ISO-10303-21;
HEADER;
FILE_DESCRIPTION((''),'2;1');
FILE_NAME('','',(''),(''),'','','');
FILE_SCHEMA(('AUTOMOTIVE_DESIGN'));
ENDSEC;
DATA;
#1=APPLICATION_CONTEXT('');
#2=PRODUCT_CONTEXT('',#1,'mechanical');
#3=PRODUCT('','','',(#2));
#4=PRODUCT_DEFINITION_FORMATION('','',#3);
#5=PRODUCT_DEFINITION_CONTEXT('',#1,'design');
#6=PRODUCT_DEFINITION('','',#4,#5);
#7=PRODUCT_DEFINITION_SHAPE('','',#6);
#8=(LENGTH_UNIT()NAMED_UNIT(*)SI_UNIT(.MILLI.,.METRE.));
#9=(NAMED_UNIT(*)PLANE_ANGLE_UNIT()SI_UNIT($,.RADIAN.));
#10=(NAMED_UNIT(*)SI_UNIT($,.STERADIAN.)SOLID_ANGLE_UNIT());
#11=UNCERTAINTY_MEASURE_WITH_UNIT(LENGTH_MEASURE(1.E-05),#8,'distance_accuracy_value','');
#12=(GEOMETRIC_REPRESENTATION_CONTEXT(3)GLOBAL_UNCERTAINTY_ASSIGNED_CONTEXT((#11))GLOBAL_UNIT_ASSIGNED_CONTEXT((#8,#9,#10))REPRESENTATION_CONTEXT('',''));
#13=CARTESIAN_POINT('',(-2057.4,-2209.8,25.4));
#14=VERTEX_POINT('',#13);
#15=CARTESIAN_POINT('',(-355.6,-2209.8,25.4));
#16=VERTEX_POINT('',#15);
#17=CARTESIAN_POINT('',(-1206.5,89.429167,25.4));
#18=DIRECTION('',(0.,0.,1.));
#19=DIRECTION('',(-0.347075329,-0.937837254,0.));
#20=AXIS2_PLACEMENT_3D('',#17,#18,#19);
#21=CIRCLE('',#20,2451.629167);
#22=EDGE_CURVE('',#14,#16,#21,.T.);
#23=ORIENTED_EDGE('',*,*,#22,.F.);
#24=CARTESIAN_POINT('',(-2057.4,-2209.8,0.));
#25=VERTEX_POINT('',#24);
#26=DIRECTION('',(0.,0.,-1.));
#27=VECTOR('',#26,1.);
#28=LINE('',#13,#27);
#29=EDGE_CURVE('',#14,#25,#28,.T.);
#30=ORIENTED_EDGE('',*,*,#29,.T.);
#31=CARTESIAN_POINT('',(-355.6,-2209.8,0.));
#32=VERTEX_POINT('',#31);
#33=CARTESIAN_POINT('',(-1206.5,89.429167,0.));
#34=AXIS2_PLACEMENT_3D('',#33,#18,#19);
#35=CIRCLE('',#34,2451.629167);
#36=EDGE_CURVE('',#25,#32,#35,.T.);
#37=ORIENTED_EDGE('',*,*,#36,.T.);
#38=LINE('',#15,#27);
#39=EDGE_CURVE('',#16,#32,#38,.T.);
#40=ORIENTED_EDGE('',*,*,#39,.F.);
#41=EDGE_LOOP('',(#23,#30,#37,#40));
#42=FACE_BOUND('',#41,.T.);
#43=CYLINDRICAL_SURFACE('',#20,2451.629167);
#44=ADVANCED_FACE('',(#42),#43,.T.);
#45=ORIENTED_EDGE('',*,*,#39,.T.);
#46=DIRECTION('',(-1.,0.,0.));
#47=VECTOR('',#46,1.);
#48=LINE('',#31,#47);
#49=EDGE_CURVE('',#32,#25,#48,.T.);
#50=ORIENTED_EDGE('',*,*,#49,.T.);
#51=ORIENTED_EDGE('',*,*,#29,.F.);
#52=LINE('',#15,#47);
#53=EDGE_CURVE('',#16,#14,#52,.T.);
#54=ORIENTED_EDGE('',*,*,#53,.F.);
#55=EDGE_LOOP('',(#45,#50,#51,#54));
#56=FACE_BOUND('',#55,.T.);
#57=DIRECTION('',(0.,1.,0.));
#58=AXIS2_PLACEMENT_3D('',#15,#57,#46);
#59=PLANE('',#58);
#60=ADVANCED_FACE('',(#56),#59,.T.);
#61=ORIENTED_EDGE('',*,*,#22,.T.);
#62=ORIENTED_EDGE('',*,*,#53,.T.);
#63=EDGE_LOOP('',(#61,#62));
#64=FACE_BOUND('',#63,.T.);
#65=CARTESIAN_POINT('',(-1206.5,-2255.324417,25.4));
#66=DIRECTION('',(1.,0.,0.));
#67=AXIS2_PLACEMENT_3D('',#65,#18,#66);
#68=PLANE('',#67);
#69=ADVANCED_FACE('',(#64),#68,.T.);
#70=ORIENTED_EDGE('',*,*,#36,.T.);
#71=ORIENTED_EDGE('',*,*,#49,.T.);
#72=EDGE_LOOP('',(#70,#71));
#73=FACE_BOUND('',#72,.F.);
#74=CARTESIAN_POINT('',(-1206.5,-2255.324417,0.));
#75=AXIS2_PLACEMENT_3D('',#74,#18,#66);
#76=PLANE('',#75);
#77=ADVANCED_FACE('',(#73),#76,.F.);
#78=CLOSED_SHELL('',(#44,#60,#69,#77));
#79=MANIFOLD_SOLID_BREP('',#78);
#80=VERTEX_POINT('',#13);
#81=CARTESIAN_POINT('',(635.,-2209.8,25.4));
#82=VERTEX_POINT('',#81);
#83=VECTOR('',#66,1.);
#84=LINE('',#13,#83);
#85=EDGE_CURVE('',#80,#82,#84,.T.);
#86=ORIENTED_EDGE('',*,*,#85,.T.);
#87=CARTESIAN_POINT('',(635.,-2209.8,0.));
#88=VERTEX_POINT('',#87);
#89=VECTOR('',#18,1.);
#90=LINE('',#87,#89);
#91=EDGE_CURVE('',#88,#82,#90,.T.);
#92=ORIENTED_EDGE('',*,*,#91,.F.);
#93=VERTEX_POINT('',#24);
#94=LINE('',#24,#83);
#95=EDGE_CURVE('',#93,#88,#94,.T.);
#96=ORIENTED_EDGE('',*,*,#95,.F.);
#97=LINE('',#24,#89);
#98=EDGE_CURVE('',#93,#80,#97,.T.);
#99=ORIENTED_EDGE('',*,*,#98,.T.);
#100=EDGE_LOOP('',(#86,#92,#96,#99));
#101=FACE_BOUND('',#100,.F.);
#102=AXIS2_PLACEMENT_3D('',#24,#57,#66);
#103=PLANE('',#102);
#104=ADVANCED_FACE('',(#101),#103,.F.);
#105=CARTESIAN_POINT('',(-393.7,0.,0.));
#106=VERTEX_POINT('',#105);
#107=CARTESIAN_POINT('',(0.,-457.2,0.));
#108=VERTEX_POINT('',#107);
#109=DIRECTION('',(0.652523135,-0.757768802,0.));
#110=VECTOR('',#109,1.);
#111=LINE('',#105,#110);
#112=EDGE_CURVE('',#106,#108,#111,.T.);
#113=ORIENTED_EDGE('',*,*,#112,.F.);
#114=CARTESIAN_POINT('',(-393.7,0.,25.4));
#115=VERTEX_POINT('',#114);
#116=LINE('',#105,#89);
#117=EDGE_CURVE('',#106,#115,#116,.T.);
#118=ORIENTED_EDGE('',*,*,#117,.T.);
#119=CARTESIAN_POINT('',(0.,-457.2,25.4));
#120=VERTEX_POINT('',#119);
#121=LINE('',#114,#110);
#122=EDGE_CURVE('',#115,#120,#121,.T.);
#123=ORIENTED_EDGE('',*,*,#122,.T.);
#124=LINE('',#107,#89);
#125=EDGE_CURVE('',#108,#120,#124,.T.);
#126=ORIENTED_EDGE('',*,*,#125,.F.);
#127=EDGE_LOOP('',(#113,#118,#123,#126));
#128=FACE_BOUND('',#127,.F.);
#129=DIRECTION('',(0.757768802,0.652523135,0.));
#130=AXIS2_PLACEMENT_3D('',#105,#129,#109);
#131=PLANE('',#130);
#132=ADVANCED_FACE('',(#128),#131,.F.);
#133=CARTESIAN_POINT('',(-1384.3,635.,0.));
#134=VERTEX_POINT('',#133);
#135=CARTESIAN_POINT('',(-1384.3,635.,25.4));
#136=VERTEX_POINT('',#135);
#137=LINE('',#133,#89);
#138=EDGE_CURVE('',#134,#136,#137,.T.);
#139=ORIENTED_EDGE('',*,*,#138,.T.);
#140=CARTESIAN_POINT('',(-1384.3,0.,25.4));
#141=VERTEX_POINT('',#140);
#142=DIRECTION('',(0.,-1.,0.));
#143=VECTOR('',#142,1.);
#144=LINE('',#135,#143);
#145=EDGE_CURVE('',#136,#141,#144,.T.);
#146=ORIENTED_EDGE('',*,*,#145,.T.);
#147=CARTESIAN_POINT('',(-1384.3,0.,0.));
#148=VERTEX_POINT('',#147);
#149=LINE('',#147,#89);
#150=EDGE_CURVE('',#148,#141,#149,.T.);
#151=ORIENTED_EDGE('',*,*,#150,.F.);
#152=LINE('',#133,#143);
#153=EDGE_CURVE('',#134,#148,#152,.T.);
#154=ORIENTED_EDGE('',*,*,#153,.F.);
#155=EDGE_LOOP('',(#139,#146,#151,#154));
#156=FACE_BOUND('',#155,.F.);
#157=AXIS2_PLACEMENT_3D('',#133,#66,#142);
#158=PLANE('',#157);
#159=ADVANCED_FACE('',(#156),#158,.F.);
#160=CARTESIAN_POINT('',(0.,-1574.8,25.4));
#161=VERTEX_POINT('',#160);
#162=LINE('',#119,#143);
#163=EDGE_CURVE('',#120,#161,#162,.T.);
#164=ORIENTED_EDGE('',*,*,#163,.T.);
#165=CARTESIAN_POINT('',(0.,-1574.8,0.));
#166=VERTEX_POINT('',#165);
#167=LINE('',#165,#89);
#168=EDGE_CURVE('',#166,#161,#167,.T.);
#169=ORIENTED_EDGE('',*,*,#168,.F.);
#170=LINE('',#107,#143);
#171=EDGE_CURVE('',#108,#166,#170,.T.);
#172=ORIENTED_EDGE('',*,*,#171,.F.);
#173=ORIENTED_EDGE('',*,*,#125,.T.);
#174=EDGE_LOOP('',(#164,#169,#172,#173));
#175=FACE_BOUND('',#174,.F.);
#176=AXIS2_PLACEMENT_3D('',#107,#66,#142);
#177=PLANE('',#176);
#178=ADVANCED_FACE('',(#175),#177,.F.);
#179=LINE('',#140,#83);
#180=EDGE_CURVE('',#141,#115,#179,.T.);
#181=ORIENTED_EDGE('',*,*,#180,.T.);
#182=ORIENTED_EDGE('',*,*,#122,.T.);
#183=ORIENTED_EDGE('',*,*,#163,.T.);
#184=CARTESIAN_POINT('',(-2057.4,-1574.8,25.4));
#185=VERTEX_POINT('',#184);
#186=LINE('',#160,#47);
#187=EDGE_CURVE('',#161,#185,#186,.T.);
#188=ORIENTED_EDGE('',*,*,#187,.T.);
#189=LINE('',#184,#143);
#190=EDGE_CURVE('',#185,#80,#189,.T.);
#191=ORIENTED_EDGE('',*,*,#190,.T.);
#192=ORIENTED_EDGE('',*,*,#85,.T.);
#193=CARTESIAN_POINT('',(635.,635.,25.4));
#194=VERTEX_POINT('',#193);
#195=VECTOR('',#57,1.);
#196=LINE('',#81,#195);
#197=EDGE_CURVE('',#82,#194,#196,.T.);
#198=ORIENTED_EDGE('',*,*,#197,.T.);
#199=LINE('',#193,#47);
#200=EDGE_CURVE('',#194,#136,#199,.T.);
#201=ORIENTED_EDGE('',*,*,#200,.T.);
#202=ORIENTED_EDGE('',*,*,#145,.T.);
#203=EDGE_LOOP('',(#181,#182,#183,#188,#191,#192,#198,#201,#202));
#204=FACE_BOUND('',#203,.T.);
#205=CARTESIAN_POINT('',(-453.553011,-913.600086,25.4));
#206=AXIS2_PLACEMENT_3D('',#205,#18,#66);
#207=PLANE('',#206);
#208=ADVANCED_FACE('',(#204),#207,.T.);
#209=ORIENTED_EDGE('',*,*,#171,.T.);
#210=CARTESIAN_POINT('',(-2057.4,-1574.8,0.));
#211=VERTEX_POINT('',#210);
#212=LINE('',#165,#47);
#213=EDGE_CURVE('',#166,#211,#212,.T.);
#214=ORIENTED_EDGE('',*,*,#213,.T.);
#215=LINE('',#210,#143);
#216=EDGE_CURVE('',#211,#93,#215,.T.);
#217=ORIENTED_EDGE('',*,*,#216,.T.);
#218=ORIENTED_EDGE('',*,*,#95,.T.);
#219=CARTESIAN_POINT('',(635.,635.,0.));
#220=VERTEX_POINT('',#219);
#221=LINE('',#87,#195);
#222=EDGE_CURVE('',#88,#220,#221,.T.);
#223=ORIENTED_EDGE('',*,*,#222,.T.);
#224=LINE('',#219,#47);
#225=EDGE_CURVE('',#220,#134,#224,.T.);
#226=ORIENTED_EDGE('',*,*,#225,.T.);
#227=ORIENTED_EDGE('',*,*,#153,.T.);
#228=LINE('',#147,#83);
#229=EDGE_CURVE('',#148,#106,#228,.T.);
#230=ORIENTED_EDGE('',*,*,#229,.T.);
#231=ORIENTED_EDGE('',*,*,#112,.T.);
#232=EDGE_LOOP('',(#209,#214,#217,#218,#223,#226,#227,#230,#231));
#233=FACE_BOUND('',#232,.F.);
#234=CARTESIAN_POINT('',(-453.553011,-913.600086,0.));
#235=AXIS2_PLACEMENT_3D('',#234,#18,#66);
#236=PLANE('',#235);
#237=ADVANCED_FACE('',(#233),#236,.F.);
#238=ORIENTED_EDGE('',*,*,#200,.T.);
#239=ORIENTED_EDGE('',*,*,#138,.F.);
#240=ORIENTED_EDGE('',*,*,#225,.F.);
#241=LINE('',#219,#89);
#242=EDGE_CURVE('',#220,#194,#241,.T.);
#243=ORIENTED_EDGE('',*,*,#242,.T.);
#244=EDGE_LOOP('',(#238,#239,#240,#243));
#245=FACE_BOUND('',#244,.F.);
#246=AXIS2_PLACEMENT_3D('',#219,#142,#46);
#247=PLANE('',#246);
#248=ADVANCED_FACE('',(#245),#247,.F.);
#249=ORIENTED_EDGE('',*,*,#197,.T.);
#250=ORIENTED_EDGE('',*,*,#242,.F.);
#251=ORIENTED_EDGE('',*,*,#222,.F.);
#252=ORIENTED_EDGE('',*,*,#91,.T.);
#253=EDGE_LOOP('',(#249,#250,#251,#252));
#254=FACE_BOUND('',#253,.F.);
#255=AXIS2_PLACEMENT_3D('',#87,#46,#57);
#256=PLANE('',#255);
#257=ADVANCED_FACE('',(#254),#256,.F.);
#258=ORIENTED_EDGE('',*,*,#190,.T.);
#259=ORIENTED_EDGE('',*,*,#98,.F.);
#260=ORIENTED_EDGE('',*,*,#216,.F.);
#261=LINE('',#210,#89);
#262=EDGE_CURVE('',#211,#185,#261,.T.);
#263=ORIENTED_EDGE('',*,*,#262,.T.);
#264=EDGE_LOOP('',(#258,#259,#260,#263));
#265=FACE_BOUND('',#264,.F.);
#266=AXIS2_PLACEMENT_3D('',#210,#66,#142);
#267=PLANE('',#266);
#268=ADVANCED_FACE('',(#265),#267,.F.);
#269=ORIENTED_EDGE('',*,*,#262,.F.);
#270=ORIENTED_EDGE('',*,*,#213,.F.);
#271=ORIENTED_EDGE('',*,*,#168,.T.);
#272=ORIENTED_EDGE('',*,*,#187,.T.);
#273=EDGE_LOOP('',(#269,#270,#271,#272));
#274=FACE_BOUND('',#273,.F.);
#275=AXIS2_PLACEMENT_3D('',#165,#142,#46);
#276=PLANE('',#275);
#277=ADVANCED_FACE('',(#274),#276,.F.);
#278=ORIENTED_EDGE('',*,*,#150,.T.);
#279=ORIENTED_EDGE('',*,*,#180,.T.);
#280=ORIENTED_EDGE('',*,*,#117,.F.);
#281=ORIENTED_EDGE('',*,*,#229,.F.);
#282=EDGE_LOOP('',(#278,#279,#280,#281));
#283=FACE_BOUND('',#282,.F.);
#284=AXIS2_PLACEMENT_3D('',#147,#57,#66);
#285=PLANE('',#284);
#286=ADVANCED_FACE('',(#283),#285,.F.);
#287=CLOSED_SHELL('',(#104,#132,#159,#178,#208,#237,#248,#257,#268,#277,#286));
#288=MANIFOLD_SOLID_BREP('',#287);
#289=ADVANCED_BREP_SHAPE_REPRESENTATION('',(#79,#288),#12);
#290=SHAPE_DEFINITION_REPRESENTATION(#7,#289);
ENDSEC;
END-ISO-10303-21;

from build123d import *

# Parameters (mm, degrees)
F1_DEPTH = 25.4
F3_DEPTH = 25.4


with BuildPart() as f1:
    # F0 (on Top) → F1 (new body)
    with BuildSketch(Plane.XY):
        Polygon((635, 635), (-1384.3, 635), (-1384.3, 0), (-393.7, 0), (0, -457.2), (0, -1574.8), (-2057.4, -1574.8), (-2057.4, -2209.8), (635, -2209.8), align=None)
    extrude(amount=F1_DEPTH)


with BuildPart() as f3:
    # F2 (on face) → F3 (new body)
    with BuildSketch(Plane.XY.offset(25.4)):
        with BuildLine():
            Line((-355.6, -2209.8), (-2057.4, -2209.8))
            ThreePointArc((-2057.4, -2209.8), (-1206.5, -2362.2), (-355.6, -2209.8))
        make_face()
    extrude(amount=-F3_DEPTH)


solid = Compound([f1.part, f3.part])
